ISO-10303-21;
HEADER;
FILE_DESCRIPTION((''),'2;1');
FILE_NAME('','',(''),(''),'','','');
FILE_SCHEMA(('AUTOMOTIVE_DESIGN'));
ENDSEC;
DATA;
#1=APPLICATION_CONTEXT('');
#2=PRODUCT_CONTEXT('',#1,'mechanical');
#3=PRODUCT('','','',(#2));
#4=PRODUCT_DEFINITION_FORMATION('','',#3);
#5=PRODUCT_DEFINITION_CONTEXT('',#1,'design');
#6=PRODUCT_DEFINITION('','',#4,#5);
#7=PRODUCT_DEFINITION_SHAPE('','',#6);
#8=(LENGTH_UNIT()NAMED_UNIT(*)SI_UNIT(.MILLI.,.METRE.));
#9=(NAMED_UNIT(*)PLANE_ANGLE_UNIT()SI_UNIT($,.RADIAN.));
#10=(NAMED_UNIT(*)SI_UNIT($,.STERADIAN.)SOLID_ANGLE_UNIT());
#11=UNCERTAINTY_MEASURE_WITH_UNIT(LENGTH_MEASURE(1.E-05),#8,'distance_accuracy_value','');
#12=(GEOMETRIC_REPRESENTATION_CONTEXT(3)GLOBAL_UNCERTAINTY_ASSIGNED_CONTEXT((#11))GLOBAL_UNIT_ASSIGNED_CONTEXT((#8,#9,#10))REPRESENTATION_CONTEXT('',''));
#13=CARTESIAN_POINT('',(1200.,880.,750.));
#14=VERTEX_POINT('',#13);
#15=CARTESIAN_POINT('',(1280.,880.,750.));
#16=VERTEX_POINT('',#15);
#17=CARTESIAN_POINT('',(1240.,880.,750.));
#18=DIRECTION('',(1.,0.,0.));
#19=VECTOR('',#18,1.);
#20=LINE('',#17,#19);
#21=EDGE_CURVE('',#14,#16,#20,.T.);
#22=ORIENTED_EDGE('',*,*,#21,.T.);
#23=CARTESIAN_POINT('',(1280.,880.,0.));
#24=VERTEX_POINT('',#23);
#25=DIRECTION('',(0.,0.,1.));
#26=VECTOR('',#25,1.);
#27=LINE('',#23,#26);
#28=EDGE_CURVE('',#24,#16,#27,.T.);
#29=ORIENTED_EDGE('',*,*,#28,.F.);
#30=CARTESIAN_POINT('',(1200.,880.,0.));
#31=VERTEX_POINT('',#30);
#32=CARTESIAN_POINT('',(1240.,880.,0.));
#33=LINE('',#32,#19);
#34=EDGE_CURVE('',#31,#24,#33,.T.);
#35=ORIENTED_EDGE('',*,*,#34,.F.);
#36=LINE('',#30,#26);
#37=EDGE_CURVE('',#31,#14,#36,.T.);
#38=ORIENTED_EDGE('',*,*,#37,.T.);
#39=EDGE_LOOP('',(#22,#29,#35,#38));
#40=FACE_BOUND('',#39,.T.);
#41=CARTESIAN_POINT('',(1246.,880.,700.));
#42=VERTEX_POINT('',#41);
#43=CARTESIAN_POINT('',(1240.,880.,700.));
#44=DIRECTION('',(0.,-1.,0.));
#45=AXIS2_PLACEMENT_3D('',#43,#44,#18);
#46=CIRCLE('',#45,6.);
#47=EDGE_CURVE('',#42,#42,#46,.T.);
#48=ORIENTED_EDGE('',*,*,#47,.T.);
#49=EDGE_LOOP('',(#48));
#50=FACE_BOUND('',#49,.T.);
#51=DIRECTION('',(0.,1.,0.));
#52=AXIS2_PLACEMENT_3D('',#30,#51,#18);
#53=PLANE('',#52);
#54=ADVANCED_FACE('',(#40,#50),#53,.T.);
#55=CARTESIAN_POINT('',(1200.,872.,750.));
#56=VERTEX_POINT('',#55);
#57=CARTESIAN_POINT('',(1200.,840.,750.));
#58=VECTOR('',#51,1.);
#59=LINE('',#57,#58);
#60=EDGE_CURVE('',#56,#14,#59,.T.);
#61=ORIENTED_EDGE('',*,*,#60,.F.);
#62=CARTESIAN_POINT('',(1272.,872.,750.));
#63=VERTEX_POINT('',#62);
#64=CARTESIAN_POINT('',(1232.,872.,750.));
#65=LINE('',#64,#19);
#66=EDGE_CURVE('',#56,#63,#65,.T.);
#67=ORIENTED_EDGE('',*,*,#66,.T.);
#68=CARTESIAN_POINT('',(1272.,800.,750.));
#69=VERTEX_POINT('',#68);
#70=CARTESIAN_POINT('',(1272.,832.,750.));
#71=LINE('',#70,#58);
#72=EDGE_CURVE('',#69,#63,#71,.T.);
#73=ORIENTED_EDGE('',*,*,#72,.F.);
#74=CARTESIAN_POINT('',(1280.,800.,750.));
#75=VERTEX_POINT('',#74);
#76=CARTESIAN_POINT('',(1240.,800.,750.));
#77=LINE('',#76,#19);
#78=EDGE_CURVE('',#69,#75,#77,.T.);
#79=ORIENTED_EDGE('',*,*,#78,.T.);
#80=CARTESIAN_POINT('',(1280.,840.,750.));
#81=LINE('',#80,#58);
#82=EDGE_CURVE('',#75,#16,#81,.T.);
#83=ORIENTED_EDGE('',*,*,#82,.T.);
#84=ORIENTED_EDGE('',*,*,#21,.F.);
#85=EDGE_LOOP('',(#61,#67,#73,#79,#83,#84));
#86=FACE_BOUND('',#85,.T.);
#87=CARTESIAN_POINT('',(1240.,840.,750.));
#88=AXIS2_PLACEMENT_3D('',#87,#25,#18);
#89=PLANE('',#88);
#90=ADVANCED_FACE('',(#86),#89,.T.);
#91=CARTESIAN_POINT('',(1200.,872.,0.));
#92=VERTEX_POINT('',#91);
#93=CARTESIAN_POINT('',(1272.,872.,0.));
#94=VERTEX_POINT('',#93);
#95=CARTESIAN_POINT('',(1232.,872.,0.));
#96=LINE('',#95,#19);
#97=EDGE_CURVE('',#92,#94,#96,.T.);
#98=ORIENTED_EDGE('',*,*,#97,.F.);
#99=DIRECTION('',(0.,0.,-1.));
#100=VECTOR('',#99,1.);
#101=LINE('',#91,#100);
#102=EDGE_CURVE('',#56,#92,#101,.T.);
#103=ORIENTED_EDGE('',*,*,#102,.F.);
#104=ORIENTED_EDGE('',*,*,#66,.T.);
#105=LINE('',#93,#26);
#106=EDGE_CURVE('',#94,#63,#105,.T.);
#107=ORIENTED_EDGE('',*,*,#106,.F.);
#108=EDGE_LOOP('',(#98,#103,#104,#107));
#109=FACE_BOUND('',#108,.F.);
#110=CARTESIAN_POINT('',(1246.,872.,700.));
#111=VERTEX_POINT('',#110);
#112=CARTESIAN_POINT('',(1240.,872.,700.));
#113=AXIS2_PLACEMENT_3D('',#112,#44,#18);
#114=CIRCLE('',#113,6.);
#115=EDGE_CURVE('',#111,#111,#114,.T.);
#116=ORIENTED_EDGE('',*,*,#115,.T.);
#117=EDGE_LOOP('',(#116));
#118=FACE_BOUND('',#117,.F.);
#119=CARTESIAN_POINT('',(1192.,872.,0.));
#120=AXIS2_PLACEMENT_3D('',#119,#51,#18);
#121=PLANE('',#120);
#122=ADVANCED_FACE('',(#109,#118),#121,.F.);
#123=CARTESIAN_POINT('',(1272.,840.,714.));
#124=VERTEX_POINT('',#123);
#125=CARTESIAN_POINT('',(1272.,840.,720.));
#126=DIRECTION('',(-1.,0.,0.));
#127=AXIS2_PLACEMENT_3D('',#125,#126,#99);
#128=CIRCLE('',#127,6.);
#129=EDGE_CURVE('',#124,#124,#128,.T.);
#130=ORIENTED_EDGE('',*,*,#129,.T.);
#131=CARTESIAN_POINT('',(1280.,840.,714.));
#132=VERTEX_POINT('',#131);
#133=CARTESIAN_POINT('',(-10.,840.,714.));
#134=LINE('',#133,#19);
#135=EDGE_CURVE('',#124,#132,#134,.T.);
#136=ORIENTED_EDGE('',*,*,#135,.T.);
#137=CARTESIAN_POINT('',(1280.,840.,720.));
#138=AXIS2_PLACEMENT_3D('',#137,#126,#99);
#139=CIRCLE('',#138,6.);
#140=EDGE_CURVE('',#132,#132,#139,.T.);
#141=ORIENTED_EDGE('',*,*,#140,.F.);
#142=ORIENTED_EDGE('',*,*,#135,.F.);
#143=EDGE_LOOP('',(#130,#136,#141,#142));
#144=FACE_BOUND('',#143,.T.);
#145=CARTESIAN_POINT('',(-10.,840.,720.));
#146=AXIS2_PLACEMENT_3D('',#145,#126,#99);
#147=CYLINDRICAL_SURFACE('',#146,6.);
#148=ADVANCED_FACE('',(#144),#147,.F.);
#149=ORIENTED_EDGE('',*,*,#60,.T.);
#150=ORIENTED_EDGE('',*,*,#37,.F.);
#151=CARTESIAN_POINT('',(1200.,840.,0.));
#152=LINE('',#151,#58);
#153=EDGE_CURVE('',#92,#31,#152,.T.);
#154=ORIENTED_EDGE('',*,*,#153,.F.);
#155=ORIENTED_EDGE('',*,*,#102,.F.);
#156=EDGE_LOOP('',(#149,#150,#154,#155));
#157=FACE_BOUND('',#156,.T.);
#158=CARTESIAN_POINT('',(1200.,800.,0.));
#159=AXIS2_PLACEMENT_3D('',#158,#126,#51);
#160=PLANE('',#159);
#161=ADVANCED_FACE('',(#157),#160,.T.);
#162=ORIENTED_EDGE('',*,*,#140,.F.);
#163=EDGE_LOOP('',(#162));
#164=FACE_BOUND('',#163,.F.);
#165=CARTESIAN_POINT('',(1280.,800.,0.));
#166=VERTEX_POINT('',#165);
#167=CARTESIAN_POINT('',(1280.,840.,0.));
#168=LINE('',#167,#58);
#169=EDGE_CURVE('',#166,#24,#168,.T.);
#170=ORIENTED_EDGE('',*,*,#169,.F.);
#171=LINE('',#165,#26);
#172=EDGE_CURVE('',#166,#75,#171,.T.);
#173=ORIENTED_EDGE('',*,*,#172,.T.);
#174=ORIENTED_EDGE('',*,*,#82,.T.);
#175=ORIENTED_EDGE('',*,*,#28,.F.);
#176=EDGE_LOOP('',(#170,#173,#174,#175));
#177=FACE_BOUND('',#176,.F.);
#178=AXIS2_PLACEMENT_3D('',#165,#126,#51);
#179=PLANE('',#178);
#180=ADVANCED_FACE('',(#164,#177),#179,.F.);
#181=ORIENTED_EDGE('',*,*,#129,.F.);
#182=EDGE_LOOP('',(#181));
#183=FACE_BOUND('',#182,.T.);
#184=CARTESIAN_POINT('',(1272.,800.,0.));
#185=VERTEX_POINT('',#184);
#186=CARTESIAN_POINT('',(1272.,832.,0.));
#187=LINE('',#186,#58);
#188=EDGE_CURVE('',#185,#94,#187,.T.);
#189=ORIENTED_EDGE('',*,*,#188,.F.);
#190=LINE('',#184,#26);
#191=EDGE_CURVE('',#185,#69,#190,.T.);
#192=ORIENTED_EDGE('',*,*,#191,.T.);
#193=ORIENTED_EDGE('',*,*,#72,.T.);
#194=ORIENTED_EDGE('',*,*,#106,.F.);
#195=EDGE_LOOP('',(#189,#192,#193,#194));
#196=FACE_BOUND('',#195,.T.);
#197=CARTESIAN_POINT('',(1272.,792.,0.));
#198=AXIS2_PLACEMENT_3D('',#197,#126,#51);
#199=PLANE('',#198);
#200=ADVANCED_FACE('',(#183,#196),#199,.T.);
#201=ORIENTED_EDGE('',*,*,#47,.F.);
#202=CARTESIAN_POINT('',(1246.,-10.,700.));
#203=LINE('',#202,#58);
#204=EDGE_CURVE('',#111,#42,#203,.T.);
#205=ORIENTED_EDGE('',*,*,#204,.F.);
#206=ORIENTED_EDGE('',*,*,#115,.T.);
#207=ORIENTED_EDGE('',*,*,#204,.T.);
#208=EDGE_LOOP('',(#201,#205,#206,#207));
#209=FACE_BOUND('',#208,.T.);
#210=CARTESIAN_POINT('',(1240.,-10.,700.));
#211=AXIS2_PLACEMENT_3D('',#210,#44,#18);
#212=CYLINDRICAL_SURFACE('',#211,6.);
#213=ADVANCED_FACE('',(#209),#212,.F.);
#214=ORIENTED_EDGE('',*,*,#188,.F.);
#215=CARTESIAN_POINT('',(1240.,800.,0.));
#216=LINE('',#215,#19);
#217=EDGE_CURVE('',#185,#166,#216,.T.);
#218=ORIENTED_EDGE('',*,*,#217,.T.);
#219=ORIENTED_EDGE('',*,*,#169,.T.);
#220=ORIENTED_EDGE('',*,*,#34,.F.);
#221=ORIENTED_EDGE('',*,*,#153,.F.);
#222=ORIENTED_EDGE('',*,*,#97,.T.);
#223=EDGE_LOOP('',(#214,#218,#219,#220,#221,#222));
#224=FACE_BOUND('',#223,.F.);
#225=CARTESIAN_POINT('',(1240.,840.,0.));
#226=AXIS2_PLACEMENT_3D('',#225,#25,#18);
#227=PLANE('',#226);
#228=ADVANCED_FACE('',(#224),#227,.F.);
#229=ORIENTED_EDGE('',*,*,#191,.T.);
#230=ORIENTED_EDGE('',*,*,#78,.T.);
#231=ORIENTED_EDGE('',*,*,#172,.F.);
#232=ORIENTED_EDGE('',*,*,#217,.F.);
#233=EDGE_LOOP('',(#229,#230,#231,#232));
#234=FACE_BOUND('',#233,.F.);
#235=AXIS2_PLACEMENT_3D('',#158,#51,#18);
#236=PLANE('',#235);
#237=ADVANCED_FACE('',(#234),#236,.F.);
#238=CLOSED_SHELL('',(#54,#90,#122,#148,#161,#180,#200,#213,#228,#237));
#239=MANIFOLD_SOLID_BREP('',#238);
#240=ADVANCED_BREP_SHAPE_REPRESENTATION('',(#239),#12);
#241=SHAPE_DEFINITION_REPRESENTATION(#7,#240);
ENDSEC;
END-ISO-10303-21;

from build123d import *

# Parameters (mm, degrees)
CYLINDER003_R           = 6
CYLINDER003_DEPTH       = 900
CYLINDER003_ROLL_ANGLE  = -90
CYLINDER001_R           = 6
CYLINDER001_DEPTH       = 1300
CYLINDER001_PITCH_ANGLE = 90
BOX007_W                = 80
BOX007_H                = 80
BOX007_DEPTH            = 750
BOX006_W                = 80
BOX006_H                = 80
BOX006_DEPTH            = 750


with BuildPart() as cylinder003:
    # Cylinder003 → Cylinder003 (new body)
    with BuildSketch(Plane.XY):
        Circle(CYLINDER003_R)
    extrude(amount=CYLINDER003_DEPTH)


with BuildPart() as cylinder003_1:
    # Cylinder003 roll: moved
    add(cylinder003.part.rotate(Axis((0, 0, 0), (1, 0, 0)), CYLINDER003_ROLL_ANGLE))


with BuildPart() as cylinder003_2:
    # Cylinder003 placement: moved
    add(cylinder003_1.part.moved(Location((1240, -10, 700))))


with BuildPart() as cylinder001:
    # Cylinder001 → Cylinder001 (new body)
    with BuildSketch(Plane.XY):
        Circle(CYLINDER001_R)
    extrude(amount=CYLINDER001_DEPTH)


with BuildPart() as cylinder001_1:
    # Cylinder001 pitch: moved
    add(cylinder001.part.rotate(Axis((0, 0, 0), (0, 1, 0)), CYLINDER001_PITCH_ANGLE))


with BuildPart() as cylinder001_2:
    # Cylinder001 placement: moved
    add(cylinder001_1.part.moved(Location((-10, 840, 720))))


with BuildPart() as cube007:
    # Box007 → Box007 (new body)
    with BuildSketch(Plane(origin=(1192, 792, 0), x_dir=(1, 0, 0), z_dir=(0, 0, 1))):
        with Locations((40, 40)):
            Rectangle(BOX007_W, BOX007_H)
    extrude(amount=BOX007_DEPTH)


with BuildPart() as cut010:
    # Box006 → Box006 (new body)
    with BuildSketch(Plane(origin=(1200, 800, 0), x_dir=(1, 0, 0), z_dir=(0, 0, 1))):
        with Locations((40, 40)):
            Rectangle(BOX006_W, BOX006_H)
    extrude(amount=BOX006_DEPTH)

    # Cut003: cut Cube007
    add(cube007.part, mode=Mode.SUBTRACT)

    # Cut009: cut Cylinder001
    add(cylinder001_2.part, mode=Mode.SUBTRACT)

    # Cut010: cut Cylinder003
    add(cylinder003_2.part, mode=Mode.SUBTRACT)


solid = cut010.part
